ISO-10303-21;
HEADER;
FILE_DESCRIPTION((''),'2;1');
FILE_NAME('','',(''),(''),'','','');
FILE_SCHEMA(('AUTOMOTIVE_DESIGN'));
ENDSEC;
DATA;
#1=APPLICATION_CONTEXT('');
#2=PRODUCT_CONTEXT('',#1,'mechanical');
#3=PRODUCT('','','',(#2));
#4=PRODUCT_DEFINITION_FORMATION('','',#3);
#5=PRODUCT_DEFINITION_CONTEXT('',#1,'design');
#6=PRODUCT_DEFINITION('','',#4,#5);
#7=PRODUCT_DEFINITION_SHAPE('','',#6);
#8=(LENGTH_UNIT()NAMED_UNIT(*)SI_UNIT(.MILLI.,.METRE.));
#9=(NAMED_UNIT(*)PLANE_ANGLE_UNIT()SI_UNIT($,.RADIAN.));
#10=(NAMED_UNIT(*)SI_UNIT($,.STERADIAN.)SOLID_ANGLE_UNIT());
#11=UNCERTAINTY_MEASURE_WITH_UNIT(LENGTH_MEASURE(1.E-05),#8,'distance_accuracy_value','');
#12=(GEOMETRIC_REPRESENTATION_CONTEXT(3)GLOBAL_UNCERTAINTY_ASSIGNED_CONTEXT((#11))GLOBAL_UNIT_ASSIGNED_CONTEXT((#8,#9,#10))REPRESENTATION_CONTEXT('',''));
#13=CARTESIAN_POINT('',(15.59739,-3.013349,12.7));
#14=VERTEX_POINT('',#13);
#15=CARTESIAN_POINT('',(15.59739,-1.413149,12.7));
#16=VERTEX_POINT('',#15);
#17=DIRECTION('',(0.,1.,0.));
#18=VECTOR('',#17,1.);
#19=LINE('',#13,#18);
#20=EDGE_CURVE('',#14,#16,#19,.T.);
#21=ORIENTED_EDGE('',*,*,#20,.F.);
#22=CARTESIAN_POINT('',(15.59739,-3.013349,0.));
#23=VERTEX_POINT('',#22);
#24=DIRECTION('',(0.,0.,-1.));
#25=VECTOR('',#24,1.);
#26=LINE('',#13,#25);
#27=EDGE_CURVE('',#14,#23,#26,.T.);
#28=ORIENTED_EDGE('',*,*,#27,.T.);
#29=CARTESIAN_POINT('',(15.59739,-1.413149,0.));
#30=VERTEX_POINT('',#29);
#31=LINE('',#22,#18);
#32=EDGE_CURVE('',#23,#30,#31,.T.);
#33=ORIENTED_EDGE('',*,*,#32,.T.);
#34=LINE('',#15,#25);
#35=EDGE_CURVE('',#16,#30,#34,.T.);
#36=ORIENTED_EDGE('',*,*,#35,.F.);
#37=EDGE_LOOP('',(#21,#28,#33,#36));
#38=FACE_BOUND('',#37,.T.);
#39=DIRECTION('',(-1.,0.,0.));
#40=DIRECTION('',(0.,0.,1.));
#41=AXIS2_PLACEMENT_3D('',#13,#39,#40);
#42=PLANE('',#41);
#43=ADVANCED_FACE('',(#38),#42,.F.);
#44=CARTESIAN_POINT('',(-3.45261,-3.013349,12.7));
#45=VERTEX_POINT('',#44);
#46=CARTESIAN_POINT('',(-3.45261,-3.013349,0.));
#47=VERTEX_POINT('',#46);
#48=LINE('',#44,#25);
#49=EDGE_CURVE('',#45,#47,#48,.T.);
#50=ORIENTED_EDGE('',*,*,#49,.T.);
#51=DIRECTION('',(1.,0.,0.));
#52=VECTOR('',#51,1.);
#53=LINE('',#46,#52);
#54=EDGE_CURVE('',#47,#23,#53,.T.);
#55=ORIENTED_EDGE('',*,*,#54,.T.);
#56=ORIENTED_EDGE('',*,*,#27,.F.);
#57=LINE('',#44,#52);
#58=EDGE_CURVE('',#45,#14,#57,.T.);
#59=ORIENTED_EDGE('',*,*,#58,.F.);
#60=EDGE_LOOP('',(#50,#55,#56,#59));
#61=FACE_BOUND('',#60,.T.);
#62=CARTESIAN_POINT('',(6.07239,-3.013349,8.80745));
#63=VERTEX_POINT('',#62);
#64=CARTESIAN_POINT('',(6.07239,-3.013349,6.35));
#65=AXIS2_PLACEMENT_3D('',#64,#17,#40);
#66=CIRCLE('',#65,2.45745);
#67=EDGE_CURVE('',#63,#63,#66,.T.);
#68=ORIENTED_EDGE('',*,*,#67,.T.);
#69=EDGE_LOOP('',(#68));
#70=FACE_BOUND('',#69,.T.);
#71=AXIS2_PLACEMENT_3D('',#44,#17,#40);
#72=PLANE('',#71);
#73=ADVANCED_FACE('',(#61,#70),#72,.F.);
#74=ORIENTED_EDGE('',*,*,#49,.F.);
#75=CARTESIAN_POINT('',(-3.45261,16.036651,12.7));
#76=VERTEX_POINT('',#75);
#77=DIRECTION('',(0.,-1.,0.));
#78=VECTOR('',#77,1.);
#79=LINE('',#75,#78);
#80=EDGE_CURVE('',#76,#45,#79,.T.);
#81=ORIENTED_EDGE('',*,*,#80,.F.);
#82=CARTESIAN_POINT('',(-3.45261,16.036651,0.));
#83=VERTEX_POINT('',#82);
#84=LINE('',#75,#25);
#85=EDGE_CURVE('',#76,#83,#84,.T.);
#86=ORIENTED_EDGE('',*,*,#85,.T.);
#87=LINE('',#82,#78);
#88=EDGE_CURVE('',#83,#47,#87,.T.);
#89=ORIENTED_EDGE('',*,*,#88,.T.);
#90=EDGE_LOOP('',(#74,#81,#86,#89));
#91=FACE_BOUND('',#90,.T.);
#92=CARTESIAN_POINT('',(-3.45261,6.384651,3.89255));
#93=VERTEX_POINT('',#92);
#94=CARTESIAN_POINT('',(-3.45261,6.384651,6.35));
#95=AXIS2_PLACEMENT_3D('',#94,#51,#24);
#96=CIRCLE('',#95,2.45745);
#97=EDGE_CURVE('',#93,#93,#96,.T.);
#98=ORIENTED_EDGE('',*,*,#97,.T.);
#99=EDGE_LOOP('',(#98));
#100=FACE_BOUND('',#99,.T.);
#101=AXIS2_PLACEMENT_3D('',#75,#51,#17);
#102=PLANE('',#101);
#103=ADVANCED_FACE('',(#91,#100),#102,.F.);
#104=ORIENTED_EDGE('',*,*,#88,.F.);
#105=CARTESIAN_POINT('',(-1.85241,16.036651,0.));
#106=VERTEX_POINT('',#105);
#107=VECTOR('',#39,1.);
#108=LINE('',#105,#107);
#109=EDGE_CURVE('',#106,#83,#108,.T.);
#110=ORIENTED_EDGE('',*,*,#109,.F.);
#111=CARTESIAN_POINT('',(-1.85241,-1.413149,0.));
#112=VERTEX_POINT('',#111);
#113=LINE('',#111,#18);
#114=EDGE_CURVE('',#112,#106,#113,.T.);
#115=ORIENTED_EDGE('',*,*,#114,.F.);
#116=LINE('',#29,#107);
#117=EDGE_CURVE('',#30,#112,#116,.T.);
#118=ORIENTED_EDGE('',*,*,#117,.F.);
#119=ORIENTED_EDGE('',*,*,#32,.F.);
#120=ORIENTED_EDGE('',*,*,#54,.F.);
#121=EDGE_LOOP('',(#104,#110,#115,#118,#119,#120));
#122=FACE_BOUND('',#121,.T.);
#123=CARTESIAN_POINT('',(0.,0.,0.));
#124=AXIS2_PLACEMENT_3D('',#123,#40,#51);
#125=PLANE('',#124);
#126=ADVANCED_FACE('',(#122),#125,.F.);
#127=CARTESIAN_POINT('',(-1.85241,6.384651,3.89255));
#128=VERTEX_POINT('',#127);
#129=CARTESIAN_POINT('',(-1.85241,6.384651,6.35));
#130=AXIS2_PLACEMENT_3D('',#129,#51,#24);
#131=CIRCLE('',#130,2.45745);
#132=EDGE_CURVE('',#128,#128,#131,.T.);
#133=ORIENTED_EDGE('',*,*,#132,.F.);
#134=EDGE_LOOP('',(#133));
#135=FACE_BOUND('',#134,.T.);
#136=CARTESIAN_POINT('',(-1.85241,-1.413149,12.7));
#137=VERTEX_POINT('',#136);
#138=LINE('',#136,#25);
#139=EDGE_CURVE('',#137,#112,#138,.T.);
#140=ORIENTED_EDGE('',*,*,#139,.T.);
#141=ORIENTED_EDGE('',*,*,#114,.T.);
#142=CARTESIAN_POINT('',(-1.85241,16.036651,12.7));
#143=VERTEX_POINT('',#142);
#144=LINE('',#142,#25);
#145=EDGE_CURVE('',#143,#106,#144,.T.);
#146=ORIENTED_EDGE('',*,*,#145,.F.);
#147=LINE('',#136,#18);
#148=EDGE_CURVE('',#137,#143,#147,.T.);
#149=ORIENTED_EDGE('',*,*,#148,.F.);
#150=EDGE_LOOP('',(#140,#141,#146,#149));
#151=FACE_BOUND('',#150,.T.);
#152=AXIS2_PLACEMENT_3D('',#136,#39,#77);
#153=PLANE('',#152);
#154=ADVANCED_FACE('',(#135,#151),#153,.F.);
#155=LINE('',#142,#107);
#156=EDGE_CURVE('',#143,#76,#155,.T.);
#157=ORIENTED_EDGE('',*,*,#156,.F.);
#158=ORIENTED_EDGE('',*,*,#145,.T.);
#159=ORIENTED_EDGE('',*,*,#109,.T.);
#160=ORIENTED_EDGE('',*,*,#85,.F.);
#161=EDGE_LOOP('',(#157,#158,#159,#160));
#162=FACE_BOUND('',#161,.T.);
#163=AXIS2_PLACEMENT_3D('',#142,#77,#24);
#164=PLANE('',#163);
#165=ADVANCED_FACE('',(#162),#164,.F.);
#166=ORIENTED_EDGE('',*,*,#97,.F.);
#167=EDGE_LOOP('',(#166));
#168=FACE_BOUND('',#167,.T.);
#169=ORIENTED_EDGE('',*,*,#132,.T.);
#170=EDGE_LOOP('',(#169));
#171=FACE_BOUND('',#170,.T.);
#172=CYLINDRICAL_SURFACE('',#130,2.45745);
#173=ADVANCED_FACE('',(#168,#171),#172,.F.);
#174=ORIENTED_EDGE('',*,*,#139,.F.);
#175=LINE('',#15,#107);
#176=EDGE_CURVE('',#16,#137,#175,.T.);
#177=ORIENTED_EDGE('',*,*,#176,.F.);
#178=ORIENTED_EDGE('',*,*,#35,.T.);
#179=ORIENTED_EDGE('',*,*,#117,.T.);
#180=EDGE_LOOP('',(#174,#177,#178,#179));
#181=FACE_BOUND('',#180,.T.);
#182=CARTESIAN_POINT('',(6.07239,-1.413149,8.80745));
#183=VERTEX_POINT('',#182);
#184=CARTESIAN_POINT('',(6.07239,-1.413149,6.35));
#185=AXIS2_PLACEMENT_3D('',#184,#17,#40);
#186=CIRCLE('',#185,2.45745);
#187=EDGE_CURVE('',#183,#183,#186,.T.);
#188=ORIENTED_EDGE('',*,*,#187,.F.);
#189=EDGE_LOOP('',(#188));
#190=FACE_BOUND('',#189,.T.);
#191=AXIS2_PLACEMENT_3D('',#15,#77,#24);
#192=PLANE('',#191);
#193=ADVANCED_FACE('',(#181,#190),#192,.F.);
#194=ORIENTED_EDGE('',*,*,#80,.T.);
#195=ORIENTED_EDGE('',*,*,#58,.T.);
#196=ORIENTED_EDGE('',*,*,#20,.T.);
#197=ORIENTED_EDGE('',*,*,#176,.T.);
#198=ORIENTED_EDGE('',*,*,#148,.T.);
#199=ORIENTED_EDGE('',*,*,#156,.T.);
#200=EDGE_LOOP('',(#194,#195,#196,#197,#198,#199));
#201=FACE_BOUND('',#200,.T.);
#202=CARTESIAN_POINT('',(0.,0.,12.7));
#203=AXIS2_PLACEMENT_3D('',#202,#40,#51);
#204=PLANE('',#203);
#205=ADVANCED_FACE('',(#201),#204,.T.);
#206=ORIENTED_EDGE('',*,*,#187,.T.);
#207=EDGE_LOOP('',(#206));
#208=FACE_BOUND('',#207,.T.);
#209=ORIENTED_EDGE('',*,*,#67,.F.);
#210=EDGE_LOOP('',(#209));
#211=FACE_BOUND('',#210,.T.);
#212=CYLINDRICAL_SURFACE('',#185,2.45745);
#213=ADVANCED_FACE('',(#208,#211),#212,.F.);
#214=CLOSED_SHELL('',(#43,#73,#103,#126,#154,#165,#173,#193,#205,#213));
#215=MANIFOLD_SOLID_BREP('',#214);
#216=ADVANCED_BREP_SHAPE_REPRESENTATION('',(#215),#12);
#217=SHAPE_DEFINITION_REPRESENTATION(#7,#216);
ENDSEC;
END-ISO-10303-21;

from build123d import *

# Parameters (mm, degrees)
BOSS_EXTRUDE1_DEPTH   = 12.7
F_8_CLEARANCE_HOLE1_D = 4.9149
F_8_CLEARANCE_HOLE2_D = 4.9149


with BuildPart() as part:
    # Sketch1 → Boss-Extrude1 (new body)
    with BuildSketch(Plane.XY):
        Polygon((-3.452609544, 16.036650639), (-3.452609544, -3.013349361), (15.597390456, -3.013349361), (15.597390456, -1.413149361), (-1.852409544, -1.413149361), (-1.852409544, 16.036650639), align=None)
    extrude(amount=BOSS_EXTRUDE1_DEPTH)

    # #8 Clearance Hole1 (through all)
    with Locations(Plane(origin=(0, -1.413149361, 0), x_dir=(1, 0, 0), z_dir=(0, 1, 0))):
        with Locations((6.072390456, -6.35)):
            Hole(F_8_CLEARANCE_HOLE1_D / 2)

    # #8 Clearance Hole2 (through all)
    with Locations(Plane(origin=(-1.852409544, 0, 0), x_dir=(0, 0, -1), z_dir=(1, 0, 0))):
        with Locations((-6.35, 6.384650639)):
            Hole(F_8_CLEARANCE_HOLE2_D / 2)


solid = part.part
